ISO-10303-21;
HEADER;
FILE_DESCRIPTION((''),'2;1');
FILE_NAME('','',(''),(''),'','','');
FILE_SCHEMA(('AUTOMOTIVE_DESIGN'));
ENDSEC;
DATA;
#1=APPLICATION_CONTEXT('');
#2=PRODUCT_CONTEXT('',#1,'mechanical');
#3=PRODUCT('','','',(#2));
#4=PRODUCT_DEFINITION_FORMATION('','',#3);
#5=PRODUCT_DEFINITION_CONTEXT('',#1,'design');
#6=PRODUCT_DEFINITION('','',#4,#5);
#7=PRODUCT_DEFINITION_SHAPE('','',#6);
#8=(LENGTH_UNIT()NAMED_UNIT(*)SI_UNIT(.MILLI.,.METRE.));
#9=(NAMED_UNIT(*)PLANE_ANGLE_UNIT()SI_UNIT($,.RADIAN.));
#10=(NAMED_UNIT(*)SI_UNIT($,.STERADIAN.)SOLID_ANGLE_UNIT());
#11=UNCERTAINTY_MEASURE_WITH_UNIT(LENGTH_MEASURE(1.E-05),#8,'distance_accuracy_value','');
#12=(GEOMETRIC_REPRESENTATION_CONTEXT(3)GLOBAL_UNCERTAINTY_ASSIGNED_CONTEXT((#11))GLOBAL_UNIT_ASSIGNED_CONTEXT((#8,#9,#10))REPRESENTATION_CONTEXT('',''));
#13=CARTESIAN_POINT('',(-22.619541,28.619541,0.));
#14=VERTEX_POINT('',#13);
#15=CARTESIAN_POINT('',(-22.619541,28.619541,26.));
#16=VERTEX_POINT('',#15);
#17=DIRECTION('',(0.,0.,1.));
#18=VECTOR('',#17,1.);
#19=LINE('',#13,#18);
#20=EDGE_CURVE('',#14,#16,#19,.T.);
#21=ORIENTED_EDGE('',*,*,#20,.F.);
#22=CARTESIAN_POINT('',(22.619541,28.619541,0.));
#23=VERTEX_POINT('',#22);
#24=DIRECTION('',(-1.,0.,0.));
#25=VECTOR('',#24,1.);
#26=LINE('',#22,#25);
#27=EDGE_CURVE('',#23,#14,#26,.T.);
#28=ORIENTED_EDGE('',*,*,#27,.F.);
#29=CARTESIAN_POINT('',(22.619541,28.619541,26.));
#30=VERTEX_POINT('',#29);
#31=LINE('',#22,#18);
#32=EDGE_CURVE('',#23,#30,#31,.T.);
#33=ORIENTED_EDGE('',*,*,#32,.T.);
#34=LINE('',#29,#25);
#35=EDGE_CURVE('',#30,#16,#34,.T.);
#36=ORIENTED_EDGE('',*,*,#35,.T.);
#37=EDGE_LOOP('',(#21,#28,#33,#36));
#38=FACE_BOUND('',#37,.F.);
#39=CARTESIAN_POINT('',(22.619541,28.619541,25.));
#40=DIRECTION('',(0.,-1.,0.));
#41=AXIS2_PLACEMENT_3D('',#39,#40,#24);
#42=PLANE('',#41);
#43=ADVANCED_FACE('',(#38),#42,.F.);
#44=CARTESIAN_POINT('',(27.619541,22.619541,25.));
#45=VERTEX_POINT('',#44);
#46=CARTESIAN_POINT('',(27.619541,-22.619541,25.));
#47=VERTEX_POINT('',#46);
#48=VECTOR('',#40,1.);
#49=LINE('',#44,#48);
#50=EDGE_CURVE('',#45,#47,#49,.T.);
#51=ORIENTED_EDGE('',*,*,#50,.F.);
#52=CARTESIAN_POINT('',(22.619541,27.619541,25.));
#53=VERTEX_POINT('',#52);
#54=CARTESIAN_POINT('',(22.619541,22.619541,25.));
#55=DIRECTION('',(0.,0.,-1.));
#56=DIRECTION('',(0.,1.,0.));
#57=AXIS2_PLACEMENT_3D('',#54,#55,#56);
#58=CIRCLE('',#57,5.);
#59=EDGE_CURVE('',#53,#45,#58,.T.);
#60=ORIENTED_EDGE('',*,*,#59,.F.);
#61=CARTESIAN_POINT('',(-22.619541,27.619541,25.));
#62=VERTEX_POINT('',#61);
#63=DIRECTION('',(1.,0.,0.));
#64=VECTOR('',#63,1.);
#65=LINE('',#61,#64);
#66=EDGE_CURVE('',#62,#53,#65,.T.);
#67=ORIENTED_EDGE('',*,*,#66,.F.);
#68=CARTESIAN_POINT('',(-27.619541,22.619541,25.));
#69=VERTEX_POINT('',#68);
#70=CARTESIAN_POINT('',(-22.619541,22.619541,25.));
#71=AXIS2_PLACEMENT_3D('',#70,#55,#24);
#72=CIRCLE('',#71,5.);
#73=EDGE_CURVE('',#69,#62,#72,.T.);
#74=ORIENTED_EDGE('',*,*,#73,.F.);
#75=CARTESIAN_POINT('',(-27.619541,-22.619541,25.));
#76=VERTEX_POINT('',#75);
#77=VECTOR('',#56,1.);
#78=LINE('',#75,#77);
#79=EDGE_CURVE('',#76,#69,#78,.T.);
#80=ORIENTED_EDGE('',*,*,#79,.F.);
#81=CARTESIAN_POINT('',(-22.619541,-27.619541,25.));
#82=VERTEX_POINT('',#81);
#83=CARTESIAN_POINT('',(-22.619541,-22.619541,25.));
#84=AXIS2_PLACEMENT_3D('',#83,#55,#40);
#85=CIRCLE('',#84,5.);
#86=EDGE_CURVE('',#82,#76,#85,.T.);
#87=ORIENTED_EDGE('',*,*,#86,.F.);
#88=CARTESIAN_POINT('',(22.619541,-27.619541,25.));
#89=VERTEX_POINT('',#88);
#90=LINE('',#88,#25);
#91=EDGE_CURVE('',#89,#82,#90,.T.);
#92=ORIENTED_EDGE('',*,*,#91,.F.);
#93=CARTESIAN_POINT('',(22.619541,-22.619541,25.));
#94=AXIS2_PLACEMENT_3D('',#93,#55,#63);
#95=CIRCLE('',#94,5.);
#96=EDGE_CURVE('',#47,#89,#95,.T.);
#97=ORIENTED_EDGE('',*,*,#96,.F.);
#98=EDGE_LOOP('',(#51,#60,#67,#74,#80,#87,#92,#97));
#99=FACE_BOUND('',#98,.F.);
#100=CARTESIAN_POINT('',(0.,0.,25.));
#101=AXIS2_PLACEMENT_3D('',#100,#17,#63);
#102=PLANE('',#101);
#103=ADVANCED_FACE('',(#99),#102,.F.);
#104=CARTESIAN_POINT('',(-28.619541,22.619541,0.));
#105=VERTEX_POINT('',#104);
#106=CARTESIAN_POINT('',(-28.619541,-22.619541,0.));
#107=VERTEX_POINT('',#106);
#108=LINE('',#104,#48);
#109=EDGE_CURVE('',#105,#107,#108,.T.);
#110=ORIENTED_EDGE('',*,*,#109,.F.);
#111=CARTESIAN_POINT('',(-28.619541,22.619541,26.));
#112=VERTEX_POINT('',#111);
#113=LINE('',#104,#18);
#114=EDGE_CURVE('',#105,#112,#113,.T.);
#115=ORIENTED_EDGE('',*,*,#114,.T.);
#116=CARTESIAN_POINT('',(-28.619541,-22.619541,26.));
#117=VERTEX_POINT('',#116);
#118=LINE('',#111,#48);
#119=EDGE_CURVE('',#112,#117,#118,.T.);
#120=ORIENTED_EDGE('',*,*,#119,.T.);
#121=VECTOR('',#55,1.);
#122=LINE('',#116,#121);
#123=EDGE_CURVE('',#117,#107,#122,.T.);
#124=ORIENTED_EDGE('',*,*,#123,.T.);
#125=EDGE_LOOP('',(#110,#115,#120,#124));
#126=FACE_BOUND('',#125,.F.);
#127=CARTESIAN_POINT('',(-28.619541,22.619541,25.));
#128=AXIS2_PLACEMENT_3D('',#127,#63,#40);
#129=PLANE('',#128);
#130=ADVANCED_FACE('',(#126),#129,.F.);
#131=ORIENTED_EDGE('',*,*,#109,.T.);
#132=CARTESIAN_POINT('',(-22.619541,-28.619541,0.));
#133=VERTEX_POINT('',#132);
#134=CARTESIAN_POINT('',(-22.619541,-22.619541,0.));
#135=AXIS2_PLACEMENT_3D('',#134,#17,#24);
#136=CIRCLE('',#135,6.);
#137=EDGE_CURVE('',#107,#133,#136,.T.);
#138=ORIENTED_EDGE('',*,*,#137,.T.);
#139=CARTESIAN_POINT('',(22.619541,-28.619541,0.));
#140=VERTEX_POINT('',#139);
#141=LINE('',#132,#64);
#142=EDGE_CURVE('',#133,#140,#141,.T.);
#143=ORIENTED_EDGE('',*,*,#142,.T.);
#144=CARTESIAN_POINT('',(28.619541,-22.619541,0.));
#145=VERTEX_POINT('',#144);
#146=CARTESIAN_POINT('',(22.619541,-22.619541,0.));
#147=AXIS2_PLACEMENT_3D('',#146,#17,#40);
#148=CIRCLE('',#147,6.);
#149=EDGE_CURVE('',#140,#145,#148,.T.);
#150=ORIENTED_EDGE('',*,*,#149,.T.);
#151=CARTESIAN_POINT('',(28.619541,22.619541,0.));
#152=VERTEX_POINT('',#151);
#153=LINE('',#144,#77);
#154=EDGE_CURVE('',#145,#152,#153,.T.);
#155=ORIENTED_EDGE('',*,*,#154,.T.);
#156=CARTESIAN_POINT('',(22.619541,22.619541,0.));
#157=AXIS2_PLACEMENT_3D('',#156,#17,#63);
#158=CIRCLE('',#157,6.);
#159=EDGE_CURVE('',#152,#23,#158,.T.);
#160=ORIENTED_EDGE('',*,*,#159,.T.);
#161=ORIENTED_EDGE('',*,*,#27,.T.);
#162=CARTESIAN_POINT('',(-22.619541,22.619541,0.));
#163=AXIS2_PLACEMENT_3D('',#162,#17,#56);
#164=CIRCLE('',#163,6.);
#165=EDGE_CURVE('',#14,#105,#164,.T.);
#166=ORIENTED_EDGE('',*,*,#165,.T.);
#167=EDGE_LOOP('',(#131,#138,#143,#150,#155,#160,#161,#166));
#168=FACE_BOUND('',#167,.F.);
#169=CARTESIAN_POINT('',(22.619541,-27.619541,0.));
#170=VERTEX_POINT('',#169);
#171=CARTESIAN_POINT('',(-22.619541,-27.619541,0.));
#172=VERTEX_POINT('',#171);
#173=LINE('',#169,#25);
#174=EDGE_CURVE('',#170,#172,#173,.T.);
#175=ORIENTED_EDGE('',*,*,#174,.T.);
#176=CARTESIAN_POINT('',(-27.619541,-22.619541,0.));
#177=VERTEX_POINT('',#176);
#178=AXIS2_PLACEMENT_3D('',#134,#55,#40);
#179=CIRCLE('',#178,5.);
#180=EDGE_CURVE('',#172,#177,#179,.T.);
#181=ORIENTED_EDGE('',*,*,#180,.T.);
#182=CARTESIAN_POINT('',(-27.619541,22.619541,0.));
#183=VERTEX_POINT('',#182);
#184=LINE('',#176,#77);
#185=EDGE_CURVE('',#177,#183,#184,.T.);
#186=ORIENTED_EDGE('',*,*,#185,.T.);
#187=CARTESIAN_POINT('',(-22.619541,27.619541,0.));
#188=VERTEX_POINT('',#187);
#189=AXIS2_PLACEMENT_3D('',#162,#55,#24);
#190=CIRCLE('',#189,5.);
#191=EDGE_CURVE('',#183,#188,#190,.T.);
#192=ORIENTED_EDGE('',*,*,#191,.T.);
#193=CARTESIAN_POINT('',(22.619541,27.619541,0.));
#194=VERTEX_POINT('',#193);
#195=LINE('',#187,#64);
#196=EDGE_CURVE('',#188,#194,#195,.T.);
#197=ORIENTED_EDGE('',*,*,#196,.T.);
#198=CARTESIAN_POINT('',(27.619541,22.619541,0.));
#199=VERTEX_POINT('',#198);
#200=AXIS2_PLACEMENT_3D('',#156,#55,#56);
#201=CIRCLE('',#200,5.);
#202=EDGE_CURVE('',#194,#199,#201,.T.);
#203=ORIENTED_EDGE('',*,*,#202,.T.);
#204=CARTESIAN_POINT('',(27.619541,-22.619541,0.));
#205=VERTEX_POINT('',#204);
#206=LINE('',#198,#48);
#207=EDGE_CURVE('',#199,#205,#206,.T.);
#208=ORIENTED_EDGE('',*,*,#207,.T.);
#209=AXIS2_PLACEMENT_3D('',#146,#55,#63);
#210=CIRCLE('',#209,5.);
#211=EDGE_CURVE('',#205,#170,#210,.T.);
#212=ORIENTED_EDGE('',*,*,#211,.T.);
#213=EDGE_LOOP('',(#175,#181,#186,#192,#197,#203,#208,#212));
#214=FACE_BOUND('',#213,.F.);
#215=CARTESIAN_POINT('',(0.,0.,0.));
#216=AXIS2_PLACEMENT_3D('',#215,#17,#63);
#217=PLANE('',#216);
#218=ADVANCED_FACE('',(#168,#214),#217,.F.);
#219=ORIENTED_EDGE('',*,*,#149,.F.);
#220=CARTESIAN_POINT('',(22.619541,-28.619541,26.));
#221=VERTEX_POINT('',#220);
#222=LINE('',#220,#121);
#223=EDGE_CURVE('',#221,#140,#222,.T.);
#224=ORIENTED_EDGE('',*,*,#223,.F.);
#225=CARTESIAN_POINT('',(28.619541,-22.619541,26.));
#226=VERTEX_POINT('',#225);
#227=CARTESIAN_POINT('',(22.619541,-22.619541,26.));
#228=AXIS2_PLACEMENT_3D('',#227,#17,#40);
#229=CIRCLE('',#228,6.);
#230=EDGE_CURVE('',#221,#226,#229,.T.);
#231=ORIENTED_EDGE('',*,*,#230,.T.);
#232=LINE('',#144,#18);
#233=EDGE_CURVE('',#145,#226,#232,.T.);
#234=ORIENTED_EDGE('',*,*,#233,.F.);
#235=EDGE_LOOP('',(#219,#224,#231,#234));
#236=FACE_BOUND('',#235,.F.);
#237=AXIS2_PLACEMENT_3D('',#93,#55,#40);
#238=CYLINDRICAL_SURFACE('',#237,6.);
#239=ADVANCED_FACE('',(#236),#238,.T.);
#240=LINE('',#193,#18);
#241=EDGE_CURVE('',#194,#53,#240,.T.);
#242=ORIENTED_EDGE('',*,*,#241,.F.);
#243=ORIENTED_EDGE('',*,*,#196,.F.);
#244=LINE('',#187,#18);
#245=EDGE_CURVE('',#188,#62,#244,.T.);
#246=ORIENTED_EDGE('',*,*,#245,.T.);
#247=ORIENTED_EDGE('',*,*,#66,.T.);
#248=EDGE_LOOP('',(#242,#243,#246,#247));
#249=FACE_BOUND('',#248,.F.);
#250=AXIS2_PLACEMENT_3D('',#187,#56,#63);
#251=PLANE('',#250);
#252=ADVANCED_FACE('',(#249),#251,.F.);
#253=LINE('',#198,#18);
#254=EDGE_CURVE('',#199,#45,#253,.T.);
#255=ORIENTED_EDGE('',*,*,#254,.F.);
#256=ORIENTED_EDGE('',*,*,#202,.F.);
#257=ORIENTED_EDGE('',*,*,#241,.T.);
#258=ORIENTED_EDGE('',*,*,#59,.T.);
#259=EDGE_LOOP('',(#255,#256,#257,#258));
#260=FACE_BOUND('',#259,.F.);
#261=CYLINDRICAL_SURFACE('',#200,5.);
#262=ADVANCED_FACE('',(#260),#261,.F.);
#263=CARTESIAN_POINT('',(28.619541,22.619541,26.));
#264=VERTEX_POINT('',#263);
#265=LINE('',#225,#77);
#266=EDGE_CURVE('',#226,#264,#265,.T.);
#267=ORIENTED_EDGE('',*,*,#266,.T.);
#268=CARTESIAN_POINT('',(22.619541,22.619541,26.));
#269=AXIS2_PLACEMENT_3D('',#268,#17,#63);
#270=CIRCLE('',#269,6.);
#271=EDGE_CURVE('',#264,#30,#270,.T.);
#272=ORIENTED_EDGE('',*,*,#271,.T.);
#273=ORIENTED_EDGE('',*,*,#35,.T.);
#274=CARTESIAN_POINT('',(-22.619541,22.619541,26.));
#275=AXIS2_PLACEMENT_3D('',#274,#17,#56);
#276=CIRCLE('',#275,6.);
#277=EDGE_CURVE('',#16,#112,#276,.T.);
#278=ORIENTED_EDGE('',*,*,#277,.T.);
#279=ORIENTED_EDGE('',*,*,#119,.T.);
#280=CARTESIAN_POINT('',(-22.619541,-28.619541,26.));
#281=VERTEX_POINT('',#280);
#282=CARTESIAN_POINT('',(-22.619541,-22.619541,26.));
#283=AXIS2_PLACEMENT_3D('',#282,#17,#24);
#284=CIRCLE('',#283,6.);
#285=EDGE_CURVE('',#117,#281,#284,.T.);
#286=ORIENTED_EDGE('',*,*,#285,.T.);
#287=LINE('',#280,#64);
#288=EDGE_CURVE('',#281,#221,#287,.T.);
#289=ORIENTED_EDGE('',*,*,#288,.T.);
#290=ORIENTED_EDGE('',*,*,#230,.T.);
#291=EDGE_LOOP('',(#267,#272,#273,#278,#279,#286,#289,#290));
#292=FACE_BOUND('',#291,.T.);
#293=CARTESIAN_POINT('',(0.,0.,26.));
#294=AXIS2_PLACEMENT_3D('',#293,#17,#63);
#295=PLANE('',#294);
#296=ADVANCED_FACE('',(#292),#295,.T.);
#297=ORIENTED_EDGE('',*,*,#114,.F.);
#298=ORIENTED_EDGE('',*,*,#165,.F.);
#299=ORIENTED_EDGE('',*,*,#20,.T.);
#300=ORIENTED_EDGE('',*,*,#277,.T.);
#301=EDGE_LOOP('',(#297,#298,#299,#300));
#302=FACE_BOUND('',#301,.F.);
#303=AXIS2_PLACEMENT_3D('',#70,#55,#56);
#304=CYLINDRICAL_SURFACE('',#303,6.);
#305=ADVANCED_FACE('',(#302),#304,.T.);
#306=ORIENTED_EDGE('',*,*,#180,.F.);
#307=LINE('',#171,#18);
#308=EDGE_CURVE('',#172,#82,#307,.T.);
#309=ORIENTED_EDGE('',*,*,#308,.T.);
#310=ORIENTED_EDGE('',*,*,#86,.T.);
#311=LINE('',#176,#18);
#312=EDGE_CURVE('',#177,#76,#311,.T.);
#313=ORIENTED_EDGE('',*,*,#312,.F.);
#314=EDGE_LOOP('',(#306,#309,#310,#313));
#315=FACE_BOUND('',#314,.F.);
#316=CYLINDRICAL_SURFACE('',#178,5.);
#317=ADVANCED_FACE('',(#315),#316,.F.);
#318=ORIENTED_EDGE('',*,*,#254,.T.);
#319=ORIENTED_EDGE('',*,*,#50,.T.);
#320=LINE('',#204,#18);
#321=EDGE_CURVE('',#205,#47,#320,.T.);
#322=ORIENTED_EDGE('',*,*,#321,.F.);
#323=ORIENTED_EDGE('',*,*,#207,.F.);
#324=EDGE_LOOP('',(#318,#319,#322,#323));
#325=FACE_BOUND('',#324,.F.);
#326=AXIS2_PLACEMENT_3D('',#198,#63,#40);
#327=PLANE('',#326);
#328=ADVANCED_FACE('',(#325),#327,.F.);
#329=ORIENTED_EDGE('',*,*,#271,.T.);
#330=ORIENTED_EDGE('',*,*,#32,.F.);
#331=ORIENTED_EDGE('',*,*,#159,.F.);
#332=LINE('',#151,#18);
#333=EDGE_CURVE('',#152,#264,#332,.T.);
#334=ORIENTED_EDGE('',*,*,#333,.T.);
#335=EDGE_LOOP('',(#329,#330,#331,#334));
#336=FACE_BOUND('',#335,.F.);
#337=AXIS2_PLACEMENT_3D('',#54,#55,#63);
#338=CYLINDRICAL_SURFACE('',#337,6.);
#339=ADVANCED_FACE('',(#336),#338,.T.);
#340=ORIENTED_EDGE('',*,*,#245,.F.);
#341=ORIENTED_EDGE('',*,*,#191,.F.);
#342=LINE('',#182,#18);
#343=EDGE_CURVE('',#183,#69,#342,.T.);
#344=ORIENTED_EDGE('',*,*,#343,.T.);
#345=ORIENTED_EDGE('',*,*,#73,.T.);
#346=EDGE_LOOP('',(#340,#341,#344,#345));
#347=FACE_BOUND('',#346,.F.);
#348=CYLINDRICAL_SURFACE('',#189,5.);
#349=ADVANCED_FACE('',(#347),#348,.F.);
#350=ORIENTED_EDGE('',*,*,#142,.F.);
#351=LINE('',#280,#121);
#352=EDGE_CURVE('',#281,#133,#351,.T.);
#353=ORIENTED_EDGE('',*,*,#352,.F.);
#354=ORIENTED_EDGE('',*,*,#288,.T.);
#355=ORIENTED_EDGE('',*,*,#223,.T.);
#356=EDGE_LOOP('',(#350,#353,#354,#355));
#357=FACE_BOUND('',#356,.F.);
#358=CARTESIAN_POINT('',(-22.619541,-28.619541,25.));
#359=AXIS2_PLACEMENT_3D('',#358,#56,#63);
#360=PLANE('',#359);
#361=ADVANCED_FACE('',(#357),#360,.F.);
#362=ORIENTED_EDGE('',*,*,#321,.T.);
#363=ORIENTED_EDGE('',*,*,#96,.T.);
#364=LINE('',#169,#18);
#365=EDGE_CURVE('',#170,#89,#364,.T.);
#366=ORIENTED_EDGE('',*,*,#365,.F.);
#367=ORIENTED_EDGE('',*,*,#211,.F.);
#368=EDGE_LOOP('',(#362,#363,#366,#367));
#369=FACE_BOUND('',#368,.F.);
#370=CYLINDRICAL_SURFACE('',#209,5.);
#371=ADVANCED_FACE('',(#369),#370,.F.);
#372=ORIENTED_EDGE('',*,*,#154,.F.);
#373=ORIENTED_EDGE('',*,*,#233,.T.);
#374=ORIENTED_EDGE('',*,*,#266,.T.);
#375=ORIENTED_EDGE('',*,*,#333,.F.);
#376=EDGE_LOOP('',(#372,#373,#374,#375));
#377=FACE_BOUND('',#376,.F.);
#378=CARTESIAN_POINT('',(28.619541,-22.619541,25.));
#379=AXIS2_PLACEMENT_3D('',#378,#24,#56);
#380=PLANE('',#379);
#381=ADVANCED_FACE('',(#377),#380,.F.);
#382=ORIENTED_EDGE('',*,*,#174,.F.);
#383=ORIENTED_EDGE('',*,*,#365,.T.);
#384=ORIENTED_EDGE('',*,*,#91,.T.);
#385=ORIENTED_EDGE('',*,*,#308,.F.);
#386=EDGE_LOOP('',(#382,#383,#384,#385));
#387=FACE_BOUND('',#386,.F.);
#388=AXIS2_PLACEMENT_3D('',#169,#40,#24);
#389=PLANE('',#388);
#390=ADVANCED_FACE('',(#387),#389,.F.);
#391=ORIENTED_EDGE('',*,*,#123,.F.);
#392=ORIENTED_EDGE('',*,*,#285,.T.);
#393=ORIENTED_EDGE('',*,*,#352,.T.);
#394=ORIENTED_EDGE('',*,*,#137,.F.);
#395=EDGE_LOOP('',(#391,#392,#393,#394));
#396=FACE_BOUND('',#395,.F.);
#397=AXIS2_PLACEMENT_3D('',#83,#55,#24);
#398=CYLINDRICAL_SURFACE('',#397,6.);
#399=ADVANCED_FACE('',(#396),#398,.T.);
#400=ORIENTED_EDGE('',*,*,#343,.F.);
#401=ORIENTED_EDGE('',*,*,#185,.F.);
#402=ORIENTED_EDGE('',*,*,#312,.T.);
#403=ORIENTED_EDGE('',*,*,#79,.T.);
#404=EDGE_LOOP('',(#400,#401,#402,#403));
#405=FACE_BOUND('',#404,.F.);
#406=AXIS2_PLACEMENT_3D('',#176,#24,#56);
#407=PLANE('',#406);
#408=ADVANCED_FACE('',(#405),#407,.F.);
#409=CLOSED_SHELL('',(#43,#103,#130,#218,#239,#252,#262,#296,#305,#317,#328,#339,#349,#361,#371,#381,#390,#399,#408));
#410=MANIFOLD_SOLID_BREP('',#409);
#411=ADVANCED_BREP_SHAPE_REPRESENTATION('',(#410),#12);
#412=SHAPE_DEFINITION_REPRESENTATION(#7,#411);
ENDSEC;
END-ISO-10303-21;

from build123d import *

# Parameters (mm, degrees)
F1_DEPTH = 25
F3_DEPTH = 1


with BuildPart() as f1:
    # F0 (on Top) → F1 (new body)
    with BuildSketch(Plane.XY):
        with BuildLine():
            Line((22.6195406914, 28.6195406914), (-22.6195406914, 28.6195406914))
            ThreePointArc((-22.6195406914, 28.6195406914), (-26.8621813785, 26.8621813785), (-28.6195406914, 22.6195406914))
            Line((-28.6195406914, 22.6195406914), (-28.6195406914, -22.6195406914))
            ThreePointArc((-28.6195406914, -22.6195406914), (-26.8621813785, -26.8621813785), (-22.6195406914, -28.6195406914))
            Line((-22.6195406914, -28.6195406914), (22.6195406914, -28.6195406914))
            ThreePointArc((22.6195406914, -28.6195406914), (26.8621813785, -26.8621813785), (28.6195406914, -22.6195406914))
            Line((28.6195406914, -22.6195406914), (28.6195406914, 22.6195406914))
            ThreePointArc((28.6195406914, 22.6195406914), (26.8621813785, 26.8621813785), (22.6195406914, 28.6195406914))
        make_face()
        with BuildLine():
            ThreePointArc((-27.6195406914, 22.6195406914), (-26.1550745973, 26.1550745973), (-22.6195406914, 27.6195406914))
            Line((-22.6195406914, 27.6195406914), (22.6195406914, 27.6195406914))
            ThreePointArc((22.6195406914, 27.6195406914), (26.1550745973, 26.1550745973), (27.6195406914, 22.6195406914))
            Line((27.6195406914, 22.6195406914), (27.6195406914, -22.6195406914))
            ThreePointArc((27.6195406914, -22.6195406914), (26.1550745973, -26.1550745973), (22.6195406914, -27.6195406914))
            Line((22.6195406914, -27.6195406914), (-22.6195406914, -27.6195406914))
            ThreePointArc((-22.6195406914, -27.6195406914), (-26.1550745973, -26.1550745973), (-27.6195406914, -22.6195406914))
            Line((-27.6195406914, -22.6195406914), (-27.6195406914, 22.6195406914))
        make_face(mode=Mode.SUBTRACT)
    extrude(amount=F1_DEPTH)

    # F2 (on face) → F3 (join)
    with BuildSketch(Plane.XY.offset(25)):
        with BuildLine():
            ThreePointArc((22.6195406914, -28.6195406914), (26.8621813785, -26.8621813785), (28.6195406914, -22.6195406914))
            Line((28.6195406914, -22.6195406914), (28.6195406914, 22.6195406914))
            ThreePointArc((28.6195406914, 22.6195406914), (26.8621813785, 26.8621813785), (22.6195406914, 28.6195406914))
            Line((22.6195406914, 28.6195406914), (-22.6195406914, 28.6195406914))
            ThreePointArc((-22.6195406914, 28.6195406914), (-26.8621813785, 26.8621813785), (-28.6195406914, 22.6195406914))
            Line((-28.6195406914, 22.6195406914), (-28.6195406914, -22.6195406914))
            ThreePointArc((-28.6195406914, -22.6195406914), (-26.8621813785, -26.8621813785), (-22.6195406914, -28.6195406914))
            Line((-22.6195406914, -28.6195406914), (22.6195406914, -28.6195406914))
        make_face()
        with BuildLine():
            Line((-27.6195406914, -22.6195406914), (-27.6195406914, 22.6195406914))
            ThreePointArc((-27.6195406914, 22.6195406914), (-26.1550745973, 26.1550745973), (-22.6195406914, 27.6195406914))
            Line((-22.6195406914, 27.6195406914), (22.6195406914, 27.6195406914))
            ThreePointArc((22.6195406914, 27.6195406914), (26.1550745973, 26.1550745973), (27.6195406914, 22.6195406914))
            Line((27.6195406914, 22.6195406914), (27.6195406914, -22.6195406914))
            ThreePointArc((27.6195406914, -22.6195406914), (26.1550745973, -26.1550745973), (22.6195406914, -27.6195406914))
            Line((22.6195406914, -27.6195406914), (-22.6195406914, -27.6195406914))
            ThreePointArc((-22.6195406914, -27.6195406914), (-26.1550745973, -26.1550745973), (-27.6195406914, -22.6195406914))
        make_face(mode=Mode.SUBTRACT)
        with BuildLine():
            ThreePointArc((-22.6195406914, 27.6195406914), (-26.1550745973, 26.1550745973), (-27.6195406914, 22.6195406914))
            Line((-27.6195406914, 22.6195406914), (-27.6195406914, -22.6195406914))
            ThreePointArc((-27.6195406914, -22.6195406914), (-26.1550745973, -26.1550745973), (-22.6195406914, -27.6195406914))
            Line((-22.6195406914, -27.6195406914), (22.6195406914, -27.6195406914))
            ThreePointArc((22.6195406914, -27.6195406914), (26.1550745973, -26.1550745973), (27.6195406914, -22.6195406914))
            Line((27.6195406914, -22.6195406914), (27.6195406914, 22.6195406914))
            ThreePointArc((27.6195406914, 22.6195406914), (26.1550745973, 26.1550745973), (22.6195406914, 27.6195406914))
            Line((22.6195406914, 27.6195406914), (-22.6195406914, 27.6195406914))
        make_face()
    extrude(amount=F3_DEPTH)


solid = f1.part
